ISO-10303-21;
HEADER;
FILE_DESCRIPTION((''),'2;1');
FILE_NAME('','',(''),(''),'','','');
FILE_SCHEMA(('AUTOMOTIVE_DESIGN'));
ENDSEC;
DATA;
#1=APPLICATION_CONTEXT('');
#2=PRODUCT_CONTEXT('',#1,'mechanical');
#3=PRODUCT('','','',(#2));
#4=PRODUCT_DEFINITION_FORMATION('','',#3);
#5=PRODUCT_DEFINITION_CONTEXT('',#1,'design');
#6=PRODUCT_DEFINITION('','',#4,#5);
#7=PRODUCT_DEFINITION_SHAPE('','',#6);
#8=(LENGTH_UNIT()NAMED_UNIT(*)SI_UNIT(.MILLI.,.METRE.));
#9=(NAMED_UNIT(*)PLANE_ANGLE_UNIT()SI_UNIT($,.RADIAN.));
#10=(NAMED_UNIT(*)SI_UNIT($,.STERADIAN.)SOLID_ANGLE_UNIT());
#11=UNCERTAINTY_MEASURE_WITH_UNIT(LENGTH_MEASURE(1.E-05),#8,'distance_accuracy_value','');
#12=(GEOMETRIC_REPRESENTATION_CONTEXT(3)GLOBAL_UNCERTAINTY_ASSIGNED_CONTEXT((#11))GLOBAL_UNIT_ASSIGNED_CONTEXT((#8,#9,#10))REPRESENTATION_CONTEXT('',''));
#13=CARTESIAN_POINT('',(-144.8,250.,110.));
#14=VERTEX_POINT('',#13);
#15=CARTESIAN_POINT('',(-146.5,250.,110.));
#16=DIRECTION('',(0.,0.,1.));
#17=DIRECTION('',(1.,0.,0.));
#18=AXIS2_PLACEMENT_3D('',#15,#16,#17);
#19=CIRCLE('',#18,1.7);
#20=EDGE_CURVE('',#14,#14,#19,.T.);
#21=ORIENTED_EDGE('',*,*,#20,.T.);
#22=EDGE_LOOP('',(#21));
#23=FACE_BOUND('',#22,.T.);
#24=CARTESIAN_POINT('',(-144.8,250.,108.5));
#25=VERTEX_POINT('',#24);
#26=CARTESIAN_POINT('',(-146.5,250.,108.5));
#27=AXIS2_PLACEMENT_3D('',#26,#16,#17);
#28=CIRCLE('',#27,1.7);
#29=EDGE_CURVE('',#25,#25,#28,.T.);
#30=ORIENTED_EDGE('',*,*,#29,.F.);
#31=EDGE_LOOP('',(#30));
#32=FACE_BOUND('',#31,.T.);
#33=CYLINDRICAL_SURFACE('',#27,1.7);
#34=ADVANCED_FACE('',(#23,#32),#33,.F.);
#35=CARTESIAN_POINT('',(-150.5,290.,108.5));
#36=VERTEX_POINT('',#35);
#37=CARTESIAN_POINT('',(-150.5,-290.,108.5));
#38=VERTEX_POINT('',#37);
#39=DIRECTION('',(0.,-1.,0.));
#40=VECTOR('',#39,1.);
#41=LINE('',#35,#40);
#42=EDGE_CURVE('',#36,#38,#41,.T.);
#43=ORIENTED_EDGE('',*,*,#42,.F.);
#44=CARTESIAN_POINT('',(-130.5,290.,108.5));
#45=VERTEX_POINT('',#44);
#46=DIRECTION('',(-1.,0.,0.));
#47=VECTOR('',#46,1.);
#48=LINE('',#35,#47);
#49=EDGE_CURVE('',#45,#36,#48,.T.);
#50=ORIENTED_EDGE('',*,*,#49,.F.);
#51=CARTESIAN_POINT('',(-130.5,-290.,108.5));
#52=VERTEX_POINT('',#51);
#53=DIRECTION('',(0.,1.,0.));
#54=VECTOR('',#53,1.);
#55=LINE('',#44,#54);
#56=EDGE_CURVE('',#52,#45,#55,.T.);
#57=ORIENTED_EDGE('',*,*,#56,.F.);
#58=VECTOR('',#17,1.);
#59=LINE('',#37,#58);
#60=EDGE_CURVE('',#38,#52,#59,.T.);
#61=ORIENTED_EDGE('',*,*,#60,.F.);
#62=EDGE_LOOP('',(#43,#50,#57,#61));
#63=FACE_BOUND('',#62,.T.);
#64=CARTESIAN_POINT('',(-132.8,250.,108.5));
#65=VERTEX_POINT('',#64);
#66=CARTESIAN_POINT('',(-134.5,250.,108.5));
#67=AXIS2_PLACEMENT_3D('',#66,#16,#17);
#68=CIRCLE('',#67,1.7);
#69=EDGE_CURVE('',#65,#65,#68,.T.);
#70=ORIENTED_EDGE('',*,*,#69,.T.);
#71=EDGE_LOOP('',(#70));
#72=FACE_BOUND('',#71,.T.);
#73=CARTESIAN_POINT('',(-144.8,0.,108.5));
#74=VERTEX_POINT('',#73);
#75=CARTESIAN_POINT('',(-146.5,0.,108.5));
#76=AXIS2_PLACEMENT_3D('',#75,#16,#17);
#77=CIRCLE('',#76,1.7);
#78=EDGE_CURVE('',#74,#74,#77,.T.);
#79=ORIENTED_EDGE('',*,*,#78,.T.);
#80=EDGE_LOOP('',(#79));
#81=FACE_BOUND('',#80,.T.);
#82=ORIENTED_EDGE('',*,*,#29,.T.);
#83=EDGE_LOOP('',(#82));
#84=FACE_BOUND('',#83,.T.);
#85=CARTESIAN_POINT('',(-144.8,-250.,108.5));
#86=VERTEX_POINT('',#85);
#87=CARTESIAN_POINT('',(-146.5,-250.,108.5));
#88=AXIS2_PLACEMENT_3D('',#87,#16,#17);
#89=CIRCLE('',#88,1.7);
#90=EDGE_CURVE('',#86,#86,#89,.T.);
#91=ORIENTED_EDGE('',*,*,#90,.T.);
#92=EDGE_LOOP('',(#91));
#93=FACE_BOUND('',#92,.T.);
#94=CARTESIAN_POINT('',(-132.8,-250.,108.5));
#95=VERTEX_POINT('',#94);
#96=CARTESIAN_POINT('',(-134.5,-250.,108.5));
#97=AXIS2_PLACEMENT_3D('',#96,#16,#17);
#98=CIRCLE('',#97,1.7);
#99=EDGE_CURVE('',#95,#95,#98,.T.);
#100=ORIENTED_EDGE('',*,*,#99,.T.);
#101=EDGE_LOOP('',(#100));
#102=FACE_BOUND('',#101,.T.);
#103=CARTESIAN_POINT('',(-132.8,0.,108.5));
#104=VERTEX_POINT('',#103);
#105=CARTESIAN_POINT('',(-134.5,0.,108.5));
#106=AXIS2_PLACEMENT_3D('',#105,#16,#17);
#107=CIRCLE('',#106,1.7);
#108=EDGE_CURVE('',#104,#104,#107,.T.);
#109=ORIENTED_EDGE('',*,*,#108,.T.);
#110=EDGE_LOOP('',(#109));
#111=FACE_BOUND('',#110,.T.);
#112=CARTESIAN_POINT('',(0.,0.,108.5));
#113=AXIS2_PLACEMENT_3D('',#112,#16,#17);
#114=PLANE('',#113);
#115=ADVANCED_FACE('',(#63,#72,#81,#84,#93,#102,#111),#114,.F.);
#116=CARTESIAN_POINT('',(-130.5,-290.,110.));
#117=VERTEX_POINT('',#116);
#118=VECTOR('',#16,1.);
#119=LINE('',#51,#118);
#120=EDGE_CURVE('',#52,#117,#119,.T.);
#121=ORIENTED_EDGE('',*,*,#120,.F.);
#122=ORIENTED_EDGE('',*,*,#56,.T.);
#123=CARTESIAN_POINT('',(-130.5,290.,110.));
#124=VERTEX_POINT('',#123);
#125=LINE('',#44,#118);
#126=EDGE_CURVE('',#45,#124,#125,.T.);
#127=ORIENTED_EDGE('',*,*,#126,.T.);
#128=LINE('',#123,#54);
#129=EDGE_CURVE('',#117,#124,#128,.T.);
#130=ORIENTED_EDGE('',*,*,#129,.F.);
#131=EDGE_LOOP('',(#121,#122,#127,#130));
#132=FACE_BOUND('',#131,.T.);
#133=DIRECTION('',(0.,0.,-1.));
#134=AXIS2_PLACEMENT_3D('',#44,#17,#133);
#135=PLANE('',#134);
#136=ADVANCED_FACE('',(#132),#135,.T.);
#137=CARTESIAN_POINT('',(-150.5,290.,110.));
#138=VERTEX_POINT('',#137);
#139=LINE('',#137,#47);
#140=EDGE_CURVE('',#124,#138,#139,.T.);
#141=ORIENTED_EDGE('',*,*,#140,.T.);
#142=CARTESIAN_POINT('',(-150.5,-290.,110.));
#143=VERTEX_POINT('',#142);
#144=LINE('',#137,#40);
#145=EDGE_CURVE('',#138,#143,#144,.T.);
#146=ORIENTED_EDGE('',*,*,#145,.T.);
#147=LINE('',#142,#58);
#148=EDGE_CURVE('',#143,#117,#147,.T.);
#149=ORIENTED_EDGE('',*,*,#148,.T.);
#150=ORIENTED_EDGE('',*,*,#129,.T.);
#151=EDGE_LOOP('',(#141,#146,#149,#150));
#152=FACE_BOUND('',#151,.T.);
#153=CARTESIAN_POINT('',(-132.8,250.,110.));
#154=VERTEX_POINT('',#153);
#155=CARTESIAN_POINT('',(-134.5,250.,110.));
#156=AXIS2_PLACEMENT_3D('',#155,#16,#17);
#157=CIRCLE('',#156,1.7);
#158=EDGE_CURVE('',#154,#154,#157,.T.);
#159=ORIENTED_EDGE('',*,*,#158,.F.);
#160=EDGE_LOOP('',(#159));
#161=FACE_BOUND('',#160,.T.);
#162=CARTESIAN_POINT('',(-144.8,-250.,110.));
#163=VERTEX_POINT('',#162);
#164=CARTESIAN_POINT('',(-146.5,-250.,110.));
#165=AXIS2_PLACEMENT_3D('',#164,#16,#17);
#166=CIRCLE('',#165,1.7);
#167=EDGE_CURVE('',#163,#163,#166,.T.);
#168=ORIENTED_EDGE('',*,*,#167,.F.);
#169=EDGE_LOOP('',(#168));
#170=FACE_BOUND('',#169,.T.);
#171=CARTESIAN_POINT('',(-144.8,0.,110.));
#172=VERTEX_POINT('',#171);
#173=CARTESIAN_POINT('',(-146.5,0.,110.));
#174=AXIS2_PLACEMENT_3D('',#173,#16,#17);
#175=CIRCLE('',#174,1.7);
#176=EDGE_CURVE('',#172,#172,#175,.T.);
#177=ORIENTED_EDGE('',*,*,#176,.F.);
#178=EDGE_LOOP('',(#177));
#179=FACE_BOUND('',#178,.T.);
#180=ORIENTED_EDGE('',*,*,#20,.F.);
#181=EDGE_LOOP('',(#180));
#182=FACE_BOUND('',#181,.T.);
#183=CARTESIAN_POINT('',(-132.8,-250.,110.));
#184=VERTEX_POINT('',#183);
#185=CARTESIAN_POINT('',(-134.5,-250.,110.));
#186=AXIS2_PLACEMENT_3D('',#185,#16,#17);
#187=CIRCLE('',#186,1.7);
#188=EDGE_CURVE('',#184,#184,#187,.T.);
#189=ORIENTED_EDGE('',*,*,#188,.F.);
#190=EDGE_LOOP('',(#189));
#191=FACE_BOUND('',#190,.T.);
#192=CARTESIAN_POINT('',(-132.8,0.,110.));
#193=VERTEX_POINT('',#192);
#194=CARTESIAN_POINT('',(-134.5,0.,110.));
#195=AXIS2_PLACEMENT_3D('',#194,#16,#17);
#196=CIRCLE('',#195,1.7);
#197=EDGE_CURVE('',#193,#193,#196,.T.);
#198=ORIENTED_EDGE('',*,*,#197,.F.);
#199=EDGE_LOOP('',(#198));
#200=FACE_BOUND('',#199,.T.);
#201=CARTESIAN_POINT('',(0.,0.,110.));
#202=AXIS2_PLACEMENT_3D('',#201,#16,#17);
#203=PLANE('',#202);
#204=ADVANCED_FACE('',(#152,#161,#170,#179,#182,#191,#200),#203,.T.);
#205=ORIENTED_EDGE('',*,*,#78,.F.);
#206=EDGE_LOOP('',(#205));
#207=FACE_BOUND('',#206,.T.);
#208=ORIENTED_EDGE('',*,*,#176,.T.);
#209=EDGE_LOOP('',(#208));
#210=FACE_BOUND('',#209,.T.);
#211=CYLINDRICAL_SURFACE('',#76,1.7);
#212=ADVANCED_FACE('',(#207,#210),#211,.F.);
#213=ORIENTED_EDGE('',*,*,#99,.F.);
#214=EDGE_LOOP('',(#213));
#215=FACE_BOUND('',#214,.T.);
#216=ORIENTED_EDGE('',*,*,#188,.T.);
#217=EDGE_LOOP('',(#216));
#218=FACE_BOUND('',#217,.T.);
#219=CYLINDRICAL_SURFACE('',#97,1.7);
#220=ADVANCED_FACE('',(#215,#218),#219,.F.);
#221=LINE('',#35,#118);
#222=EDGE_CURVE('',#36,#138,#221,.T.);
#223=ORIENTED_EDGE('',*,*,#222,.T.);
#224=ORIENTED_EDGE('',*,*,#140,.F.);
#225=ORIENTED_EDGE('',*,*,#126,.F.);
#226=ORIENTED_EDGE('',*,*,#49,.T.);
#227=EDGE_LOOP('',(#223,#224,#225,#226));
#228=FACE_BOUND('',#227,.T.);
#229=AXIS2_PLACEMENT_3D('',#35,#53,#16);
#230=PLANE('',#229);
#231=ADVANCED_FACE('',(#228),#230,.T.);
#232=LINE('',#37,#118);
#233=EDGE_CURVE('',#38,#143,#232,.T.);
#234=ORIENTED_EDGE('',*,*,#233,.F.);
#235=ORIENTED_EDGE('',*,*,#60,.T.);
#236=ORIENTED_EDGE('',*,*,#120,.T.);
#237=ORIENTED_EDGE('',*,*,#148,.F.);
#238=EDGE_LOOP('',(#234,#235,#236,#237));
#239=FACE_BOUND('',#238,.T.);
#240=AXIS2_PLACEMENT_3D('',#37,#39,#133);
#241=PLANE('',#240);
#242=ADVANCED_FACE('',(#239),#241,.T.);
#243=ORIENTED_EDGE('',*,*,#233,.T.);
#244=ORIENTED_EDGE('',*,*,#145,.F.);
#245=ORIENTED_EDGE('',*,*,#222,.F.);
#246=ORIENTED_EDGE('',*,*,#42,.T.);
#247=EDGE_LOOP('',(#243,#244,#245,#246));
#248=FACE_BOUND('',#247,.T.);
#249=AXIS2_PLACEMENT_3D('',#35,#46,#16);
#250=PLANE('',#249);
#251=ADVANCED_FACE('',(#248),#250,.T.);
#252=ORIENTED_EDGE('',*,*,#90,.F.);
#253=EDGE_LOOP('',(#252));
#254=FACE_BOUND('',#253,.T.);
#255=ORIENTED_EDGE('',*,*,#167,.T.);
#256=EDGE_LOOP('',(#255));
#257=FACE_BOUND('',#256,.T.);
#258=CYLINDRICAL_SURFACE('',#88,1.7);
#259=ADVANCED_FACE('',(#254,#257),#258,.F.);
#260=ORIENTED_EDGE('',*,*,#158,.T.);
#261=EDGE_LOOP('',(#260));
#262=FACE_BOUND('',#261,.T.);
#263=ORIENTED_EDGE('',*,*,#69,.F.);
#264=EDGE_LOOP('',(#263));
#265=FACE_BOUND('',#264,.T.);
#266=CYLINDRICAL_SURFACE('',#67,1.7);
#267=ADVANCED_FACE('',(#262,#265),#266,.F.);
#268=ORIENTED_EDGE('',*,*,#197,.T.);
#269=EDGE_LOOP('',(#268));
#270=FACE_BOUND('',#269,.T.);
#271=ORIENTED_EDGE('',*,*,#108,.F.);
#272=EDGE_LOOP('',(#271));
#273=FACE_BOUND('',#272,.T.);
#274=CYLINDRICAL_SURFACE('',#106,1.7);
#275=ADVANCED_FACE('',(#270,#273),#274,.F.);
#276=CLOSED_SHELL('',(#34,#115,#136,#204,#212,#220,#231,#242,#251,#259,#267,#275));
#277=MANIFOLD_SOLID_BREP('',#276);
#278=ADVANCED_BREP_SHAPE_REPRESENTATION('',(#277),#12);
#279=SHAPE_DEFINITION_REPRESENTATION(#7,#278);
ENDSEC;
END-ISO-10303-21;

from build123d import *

# Parameters (mm, degrees)
MAIN_PROFILE_SKETCH_W = 20
MAIN_PROFILE_SKETCH_H = 580
MAIN_PROFILE_SKETCH_R = 1.7
MAIN_EXTRUSION_DEPTH  = 1.5


with BuildPart() as part:
    # Main Profile Sketch → Main Extrusion (new body)
    with BuildSketch(Plane.XY.offset(110)):
        with Locations((-140.5, 0)):
            Rectangle(MAIN_PROFILE_SKETCH_W, MAIN_PROFILE_SKETCH_H)
        with Locations((-146.5, -250)):
            Circle(MAIN_PROFILE_SKETCH_R, mode=Mode.SUBTRACT)
        with Locations((-134.5, -250)):
            Circle(MAIN_PROFILE_SKETCH_R, mode=Mode.SUBTRACT)
        with Locations((-146.5, 0)):
            Circle(MAIN_PROFILE_SKETCH_R, mode=Mode.SUBTRACT)
        with Locations((-146.5, 250)):
            Circle(MAIN_PROFILE_SKETCH_R, mode=Mode.SUBTRACT)
        with Locations((-134.5, 0)):
            Circle(MAIN_PROFILE_SKETCH_R, mode=Mode.SUBTRACT)
        with Locations((-134.5, 250)):
            Circle(MAIN_PROFILE_SKETCH_R, mode=Mode.SUBTRACT)
    extrude(amount=-MAIN_EXTRUSION_DEPTH)


solid = part.part
